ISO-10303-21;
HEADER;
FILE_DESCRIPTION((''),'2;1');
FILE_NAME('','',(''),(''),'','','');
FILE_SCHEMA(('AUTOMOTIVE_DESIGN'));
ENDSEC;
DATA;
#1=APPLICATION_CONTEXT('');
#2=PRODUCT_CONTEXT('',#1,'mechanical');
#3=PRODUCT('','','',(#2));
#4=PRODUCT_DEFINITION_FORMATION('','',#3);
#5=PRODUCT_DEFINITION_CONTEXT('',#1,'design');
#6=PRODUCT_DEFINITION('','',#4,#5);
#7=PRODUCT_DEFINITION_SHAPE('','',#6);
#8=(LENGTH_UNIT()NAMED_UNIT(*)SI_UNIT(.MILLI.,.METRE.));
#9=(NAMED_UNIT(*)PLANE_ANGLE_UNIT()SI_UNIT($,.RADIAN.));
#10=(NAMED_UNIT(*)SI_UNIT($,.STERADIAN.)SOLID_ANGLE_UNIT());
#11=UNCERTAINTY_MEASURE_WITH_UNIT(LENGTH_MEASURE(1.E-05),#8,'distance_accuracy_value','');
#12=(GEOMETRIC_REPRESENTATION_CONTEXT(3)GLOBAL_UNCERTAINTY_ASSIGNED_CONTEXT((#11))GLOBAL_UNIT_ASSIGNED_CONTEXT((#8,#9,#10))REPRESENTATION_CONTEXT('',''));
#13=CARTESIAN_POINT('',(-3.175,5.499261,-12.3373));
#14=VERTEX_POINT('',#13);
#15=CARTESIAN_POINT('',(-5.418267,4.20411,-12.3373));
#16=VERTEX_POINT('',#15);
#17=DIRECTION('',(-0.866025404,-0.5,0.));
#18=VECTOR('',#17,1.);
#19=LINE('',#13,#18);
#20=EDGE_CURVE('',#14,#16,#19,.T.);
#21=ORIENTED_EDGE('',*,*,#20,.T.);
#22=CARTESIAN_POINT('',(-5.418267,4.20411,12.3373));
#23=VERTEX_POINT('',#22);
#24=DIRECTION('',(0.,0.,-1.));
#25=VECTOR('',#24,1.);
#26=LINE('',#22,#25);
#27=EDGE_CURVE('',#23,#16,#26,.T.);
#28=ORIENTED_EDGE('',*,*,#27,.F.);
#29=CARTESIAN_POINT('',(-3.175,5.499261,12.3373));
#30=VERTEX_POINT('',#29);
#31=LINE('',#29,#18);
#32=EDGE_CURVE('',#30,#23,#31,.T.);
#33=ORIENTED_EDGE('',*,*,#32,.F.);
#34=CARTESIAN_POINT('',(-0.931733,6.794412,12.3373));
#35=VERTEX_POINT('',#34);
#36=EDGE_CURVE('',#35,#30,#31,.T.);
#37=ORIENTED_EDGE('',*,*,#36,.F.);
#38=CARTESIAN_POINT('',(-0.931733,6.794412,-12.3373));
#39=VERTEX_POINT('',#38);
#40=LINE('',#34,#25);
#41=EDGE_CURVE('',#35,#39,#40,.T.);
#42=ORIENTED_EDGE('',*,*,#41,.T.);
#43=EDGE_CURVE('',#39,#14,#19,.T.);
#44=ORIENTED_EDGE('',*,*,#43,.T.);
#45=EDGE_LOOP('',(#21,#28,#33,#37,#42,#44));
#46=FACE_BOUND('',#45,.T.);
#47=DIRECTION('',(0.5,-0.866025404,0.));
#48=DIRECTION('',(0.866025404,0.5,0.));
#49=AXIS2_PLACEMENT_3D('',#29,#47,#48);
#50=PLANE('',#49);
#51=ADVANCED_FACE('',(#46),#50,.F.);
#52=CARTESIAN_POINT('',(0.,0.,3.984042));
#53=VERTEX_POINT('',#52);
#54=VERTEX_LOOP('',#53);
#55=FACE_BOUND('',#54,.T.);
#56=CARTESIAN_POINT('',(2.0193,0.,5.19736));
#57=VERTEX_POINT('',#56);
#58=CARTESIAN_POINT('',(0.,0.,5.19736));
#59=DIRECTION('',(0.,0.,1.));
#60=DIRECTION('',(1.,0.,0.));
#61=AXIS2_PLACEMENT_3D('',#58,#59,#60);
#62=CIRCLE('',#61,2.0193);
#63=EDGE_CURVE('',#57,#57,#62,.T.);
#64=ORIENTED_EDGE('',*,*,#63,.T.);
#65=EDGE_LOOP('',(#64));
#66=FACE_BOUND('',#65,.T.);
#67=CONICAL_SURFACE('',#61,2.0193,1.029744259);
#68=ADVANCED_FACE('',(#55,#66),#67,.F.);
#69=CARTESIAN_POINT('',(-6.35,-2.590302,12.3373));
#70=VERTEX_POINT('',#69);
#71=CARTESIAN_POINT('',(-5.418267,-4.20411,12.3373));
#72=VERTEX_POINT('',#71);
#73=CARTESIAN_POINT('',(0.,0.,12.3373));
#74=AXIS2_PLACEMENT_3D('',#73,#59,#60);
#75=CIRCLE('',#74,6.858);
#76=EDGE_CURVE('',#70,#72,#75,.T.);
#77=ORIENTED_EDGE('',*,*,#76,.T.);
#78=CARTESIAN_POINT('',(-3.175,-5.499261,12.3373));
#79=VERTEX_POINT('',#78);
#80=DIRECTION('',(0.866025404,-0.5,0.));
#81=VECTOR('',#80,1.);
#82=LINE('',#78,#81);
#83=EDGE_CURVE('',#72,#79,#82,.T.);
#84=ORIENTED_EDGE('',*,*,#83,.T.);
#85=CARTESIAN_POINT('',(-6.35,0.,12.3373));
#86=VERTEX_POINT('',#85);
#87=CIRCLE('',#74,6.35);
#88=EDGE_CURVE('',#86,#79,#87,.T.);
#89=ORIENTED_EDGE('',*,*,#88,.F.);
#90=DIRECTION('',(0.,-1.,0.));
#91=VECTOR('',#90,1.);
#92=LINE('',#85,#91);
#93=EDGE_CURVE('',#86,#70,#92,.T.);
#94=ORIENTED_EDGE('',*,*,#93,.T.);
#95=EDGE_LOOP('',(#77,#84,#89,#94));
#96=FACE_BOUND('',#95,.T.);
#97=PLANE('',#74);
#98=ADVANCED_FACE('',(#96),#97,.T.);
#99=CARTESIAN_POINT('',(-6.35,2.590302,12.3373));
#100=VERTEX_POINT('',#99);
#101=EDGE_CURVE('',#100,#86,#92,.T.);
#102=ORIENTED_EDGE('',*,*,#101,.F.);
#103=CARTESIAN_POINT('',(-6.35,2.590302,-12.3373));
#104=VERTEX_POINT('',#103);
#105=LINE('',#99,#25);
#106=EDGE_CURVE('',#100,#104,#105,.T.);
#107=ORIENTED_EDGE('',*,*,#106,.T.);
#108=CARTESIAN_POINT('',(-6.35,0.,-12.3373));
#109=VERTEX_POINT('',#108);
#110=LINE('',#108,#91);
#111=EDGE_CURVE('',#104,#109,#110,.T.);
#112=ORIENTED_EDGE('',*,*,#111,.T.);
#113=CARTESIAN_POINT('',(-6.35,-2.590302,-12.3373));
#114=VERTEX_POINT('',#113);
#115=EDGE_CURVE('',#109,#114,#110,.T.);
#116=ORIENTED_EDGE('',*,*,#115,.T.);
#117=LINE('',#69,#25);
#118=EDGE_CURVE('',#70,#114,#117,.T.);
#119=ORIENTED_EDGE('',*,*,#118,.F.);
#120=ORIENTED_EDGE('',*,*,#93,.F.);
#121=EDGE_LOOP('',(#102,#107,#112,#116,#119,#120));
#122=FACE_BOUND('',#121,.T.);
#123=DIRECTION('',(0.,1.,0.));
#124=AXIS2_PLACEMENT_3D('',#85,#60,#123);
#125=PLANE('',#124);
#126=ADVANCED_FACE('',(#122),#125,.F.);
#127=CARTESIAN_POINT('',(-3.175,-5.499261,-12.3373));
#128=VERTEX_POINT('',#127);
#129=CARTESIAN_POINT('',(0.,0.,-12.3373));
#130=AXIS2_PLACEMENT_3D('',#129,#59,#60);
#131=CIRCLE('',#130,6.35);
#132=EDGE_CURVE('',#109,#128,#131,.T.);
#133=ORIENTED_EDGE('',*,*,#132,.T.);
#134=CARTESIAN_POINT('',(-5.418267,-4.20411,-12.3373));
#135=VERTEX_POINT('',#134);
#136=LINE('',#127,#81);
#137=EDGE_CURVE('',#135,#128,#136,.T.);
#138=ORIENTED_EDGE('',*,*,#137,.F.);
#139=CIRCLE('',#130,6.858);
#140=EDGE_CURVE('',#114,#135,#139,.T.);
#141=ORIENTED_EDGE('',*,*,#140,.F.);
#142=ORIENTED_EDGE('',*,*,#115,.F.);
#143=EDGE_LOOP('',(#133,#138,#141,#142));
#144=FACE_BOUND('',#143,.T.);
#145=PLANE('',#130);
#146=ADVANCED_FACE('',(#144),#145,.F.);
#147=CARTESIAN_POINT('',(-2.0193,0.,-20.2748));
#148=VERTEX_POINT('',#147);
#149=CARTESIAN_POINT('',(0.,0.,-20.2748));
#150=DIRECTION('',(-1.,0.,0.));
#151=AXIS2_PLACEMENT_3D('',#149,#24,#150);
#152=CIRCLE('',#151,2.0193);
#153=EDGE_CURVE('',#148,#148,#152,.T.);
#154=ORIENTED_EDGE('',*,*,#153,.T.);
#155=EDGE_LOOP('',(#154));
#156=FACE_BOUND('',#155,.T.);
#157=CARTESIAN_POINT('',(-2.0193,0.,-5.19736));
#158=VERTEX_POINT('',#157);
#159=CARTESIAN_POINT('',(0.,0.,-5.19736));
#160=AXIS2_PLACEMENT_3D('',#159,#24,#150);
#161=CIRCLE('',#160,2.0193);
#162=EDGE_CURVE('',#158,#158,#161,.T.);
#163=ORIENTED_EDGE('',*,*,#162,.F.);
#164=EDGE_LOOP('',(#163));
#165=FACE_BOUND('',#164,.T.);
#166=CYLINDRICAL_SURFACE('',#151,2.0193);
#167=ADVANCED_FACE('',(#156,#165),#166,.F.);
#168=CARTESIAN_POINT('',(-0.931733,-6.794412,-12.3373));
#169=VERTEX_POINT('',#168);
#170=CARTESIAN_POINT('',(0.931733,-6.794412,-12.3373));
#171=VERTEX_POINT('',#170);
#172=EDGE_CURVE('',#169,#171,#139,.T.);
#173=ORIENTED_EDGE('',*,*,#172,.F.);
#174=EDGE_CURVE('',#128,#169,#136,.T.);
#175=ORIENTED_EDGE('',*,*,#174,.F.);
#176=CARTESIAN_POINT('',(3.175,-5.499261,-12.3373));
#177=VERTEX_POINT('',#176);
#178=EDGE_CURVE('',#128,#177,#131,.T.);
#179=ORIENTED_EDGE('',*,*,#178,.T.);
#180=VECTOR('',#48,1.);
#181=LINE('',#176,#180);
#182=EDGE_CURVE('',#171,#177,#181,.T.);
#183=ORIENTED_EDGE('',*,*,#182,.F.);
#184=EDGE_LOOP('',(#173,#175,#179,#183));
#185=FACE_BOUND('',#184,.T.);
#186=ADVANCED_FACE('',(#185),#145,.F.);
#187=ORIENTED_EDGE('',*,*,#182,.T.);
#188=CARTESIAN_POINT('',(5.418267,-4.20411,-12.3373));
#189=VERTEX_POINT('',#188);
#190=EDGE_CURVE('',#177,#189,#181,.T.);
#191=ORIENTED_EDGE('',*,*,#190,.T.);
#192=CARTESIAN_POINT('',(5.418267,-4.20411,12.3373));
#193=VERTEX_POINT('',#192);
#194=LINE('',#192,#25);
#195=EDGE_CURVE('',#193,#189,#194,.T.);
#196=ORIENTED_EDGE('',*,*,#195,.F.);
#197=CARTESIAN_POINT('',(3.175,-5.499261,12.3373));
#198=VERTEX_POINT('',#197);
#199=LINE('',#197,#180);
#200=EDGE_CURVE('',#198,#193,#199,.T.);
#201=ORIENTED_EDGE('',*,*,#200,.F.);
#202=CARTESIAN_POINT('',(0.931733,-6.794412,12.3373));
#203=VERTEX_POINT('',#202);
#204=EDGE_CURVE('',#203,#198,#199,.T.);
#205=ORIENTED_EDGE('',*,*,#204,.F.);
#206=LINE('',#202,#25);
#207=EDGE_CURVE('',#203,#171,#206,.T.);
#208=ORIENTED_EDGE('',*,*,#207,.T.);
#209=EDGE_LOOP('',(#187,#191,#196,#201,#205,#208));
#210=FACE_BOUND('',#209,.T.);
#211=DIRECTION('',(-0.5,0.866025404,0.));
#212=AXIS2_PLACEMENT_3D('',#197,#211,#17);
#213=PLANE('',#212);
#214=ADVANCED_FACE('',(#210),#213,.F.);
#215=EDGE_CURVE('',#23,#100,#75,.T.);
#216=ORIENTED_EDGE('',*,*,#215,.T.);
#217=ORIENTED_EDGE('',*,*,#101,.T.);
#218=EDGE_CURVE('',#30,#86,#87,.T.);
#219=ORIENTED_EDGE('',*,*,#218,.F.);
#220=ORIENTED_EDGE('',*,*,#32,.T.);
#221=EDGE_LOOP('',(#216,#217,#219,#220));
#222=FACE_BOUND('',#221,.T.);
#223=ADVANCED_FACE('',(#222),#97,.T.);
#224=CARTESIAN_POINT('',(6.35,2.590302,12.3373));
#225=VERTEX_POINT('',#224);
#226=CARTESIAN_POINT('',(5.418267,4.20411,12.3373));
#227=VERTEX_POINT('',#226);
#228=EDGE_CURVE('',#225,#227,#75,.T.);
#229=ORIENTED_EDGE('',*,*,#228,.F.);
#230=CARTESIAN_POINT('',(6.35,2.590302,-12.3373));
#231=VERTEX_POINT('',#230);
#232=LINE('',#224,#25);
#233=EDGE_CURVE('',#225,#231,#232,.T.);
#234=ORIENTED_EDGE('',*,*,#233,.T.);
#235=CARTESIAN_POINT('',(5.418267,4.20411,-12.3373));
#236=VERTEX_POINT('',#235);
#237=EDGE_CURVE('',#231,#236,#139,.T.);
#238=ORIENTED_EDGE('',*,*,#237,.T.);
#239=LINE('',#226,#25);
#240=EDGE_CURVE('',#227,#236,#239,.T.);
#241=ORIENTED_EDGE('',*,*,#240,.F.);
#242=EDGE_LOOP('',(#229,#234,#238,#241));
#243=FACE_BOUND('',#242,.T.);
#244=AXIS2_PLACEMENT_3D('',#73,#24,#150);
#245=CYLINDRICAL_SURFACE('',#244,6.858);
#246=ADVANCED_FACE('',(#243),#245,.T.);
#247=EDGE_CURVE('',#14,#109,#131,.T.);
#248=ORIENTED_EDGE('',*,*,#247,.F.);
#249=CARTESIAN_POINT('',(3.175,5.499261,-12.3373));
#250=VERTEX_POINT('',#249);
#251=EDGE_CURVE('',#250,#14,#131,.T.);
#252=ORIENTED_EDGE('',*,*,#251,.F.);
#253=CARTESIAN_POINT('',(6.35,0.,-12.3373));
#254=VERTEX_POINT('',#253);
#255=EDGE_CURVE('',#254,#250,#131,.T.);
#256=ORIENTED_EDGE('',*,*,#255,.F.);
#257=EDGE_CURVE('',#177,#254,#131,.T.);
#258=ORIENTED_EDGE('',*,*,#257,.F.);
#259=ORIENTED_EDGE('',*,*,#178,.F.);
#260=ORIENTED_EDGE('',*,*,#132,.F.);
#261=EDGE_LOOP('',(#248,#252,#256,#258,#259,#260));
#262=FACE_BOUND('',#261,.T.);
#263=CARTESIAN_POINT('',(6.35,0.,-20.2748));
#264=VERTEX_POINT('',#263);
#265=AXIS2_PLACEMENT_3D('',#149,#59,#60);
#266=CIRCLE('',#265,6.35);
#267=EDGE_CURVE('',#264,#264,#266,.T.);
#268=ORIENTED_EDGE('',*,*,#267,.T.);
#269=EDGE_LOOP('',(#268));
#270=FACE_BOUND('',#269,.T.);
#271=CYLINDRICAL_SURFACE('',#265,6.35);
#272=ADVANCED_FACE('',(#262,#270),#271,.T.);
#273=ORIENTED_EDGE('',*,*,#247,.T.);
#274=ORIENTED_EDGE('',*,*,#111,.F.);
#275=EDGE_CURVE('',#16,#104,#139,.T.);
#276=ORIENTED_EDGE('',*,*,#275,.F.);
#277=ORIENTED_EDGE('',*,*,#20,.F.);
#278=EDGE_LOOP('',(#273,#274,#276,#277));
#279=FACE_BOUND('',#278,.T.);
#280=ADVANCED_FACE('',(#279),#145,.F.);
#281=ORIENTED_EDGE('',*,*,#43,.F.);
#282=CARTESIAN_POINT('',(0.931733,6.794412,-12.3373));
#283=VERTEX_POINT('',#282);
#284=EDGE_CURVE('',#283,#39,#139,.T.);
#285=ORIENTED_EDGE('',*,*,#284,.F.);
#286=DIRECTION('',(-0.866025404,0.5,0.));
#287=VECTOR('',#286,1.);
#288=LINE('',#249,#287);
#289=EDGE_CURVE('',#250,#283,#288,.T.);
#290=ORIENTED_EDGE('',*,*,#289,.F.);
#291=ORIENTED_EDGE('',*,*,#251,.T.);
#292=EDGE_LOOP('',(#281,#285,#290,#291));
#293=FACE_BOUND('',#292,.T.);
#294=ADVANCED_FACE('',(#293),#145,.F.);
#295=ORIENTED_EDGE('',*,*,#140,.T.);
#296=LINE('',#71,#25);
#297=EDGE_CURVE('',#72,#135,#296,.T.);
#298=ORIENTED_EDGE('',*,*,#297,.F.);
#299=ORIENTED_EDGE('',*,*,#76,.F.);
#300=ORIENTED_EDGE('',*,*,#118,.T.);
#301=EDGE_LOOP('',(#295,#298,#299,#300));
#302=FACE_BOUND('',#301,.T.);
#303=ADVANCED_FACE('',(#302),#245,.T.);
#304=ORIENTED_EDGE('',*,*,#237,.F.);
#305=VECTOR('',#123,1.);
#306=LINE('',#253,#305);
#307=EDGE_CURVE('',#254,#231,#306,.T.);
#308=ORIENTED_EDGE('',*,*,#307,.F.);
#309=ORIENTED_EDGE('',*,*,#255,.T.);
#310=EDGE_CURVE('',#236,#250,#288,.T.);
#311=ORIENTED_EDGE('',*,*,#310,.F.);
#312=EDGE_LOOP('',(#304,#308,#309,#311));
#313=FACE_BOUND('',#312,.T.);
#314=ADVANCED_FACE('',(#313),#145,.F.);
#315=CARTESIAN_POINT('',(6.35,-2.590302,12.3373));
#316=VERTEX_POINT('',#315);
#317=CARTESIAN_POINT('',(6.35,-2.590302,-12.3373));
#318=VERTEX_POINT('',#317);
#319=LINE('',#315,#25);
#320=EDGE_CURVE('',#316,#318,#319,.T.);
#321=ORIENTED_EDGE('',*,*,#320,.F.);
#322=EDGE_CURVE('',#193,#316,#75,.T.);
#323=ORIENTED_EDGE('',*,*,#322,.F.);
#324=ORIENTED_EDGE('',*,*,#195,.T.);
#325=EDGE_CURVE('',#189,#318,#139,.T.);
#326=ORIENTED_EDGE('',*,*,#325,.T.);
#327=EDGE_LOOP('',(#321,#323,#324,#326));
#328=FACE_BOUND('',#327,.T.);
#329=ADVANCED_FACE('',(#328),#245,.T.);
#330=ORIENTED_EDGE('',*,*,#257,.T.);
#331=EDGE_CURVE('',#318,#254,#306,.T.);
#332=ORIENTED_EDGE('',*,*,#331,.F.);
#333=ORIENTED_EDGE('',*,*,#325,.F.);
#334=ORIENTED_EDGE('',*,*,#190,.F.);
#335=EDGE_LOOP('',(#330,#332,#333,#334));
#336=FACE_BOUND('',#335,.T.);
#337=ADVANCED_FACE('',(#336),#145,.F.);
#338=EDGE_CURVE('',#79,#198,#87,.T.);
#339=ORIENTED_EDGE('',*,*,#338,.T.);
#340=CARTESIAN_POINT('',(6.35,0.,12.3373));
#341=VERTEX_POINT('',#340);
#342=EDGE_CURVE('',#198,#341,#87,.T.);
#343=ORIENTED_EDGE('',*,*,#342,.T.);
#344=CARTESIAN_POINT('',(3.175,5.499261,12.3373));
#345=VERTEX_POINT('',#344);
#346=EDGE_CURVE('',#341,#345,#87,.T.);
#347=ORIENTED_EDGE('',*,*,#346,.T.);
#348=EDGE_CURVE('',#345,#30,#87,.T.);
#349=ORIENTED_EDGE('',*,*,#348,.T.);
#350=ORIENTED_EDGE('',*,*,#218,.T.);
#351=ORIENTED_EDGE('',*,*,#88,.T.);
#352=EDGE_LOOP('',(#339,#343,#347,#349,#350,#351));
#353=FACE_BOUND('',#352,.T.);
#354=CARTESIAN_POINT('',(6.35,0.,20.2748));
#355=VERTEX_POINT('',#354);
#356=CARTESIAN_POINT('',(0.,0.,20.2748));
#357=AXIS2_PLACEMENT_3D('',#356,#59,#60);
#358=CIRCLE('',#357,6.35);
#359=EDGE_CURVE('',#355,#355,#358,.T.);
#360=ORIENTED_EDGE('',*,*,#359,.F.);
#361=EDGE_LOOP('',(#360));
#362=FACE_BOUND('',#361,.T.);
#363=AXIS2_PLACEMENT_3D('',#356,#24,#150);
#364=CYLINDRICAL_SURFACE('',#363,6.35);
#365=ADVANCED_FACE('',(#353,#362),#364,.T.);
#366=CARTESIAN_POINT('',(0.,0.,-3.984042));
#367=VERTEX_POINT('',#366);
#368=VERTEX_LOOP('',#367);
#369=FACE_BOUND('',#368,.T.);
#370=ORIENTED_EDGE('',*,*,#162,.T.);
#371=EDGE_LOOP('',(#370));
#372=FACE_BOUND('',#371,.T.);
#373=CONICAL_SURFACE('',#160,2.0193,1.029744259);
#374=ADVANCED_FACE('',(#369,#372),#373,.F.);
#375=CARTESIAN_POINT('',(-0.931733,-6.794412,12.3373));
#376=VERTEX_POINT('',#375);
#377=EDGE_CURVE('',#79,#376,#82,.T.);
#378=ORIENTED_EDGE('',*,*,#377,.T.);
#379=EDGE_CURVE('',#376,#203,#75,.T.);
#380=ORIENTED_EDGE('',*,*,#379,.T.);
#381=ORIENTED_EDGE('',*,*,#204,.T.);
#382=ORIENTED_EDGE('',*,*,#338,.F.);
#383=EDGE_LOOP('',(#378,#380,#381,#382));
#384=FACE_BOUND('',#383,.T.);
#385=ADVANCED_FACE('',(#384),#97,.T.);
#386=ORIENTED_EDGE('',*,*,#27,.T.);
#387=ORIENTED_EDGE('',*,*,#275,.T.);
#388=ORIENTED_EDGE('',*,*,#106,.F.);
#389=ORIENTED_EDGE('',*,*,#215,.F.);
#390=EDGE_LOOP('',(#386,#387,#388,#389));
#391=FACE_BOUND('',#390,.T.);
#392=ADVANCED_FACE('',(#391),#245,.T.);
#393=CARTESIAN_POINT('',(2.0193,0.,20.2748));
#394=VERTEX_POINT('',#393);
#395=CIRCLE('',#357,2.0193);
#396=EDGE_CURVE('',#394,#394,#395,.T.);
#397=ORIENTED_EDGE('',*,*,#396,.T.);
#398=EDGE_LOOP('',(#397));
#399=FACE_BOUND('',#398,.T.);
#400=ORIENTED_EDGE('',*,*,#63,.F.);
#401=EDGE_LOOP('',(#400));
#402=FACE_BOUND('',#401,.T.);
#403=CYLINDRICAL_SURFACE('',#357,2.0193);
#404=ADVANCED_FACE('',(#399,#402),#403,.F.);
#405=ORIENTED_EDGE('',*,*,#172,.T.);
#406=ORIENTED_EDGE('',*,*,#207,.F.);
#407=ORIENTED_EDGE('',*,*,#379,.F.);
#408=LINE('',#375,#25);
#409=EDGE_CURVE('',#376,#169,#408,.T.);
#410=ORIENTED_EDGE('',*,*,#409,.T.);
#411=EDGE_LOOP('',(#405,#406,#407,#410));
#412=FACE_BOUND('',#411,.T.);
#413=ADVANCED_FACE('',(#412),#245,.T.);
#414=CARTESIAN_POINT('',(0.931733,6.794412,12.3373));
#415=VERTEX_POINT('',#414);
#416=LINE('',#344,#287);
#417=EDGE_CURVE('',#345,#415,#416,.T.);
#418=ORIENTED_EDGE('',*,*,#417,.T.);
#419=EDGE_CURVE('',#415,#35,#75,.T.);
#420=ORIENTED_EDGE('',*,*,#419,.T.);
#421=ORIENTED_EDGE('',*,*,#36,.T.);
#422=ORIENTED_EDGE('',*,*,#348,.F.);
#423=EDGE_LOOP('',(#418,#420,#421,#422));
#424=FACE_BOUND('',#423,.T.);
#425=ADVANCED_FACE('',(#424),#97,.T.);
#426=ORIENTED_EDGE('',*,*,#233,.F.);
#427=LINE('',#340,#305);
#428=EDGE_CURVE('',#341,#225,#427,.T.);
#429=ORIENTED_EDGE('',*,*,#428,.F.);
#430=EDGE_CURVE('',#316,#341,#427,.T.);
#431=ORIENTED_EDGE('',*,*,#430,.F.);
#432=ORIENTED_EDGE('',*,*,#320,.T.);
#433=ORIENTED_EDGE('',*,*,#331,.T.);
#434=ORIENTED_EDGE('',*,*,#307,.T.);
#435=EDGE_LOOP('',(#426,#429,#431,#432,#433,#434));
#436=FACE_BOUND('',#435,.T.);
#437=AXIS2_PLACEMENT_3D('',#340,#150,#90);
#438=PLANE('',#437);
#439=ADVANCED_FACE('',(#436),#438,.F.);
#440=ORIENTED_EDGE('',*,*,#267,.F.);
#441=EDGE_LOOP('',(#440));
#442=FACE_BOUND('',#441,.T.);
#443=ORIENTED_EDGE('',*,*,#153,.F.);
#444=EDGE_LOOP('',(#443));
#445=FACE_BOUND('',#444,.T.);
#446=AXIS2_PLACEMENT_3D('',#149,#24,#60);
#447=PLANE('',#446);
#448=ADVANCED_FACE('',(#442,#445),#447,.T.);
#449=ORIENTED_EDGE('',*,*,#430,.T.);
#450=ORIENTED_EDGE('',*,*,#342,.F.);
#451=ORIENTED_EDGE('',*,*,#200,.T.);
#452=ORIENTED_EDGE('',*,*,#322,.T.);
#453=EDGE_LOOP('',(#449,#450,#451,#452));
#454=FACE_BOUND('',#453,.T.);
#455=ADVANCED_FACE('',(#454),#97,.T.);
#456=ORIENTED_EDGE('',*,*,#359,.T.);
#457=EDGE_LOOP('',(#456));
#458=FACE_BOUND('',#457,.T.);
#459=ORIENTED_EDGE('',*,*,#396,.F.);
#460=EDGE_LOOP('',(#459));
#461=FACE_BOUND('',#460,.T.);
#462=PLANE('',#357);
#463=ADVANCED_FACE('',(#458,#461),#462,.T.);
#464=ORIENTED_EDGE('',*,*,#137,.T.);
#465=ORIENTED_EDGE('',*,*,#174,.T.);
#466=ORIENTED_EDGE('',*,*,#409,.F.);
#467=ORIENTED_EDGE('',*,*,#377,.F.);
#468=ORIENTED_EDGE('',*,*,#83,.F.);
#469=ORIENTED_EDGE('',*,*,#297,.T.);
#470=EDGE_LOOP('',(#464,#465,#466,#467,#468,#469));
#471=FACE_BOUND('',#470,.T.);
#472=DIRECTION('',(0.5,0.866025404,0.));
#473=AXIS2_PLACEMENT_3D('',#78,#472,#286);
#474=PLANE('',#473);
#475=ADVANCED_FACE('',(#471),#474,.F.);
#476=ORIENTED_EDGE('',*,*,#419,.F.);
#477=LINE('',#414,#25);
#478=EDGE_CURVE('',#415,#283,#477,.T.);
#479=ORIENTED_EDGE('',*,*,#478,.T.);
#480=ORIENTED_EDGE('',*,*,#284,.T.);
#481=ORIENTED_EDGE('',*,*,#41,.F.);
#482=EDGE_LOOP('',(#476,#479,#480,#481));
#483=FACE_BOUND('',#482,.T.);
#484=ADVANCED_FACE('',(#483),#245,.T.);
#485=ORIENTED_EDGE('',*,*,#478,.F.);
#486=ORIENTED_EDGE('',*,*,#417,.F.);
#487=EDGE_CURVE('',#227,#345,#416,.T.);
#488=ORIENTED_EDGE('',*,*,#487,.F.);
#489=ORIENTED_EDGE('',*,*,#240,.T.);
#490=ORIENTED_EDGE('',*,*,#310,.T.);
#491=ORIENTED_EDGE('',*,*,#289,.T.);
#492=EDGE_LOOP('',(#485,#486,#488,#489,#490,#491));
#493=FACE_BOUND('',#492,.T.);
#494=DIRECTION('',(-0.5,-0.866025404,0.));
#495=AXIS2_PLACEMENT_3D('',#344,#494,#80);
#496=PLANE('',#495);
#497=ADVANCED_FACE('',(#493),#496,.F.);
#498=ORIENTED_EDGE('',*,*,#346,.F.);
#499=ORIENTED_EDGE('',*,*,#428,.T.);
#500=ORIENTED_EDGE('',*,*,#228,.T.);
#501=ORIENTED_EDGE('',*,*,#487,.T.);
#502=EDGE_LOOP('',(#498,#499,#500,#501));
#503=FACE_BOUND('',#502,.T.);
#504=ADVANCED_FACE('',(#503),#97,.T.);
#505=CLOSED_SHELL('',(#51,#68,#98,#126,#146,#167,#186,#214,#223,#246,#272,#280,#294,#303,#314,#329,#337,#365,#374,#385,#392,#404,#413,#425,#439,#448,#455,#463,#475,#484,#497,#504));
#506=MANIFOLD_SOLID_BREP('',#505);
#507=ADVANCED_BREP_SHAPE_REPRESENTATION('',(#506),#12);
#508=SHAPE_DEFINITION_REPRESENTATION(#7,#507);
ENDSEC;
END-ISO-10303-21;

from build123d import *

# Parameters (mm, degrees)
BOSS_EXTRUDE1_DEPTH                  = 12.337299938
SKETCH2_R                            = 6.35
BOSS_EXTRUDE2_DEPTH                  = 7.9375
F_10_32_TAPPED_HOLE1_D               = 4.0386
F_10_32_TAPPED_HOLE1_DEPTH           = 15.07744
F_10_32_TAPPED_HOLE1_TIP             = 1.213317848
F_10_32_TAPPED_HOLE1_ON_FACE_2_D     = 4.0386
F_10_32_TAPPED_HOLE1_ON_FACE_2_DEPTH = 15.07744
F_10_32_TAPPED_HOLE1_ON_FACE_2_TIP   = 1.213317848


with BuildPart() as part:
    # Sketch1 → Boss-Extrude1 (new, symmetric)
    with BuildSketch(Plane.XY):
        with BuildLine():
            ThreePointArc((6.35, 2.590301913), (5.939202219, 3.429), (5.41826726, 4.204110358))
            Line((5.41826726, 4.204110358), (0.93173274, 6.79441227))
            ThreePointArc((0.93173274, 6.79441227), (0, 6.858), (-0.93173274, 6.79441227))
            Line((-0.93173274, 6.79441227), (-5.41826726, 4.204110358))
            ThreePointArc((-5.41826726, 4.204110358), (-5.939202219, 3.429), (-6.35, 2.590301913))
            Line((-6.35, 2.590301913), (-6.35, -2.590301913))
            ThreePointArc((-6.35, -2.590301913), (-5.939202219, -3.429), (-5.41826726, -4.204110358))
            Line((-5.41826726, -4.204110358), (-0.93173274, -6.79441227))
            ThreePointArc((-0.93173274, -6.79441227), (0, -6.858), (0.93173274, -6.79441227))
            Line((0.93173274, -6.79441227), (5.41826726, -4.204110358))
            ThreePointArc((5.41826726, -4.204110358), (5.939202219, -3.429), (6.35, -2.590301913))
            Line((6.35, -2.590301913), (6.35, 2.590301913))
        make_face()
    extrude(amount=BOSS_EXTRUDE1_DEPTH, both=True)

    # Sketch2 → Boss-Extrude2 (add)
    with BuildSketch(Plane.XY.offset(12.337299938)):
        Circle(SKETCH2_R)
    boss_extrude2 = extrude(amount=BOSS_EXTRUDE2_DEPTH)

    # Mirror1: Boss-Extrude2 across plane
    add(boss_extrude2.mirror(Plane.XY))

    # #10-32 Tapped Hole1
    with Locations(Plane.XY.offset(20.274799938)):
        with Locations((0, 0)):
            Hole(F_10_32_TAPPED_HOLE1_D / 2, depth=F_10_32_TAPPED_HOLE1_DEPTH)
            with Locations((0, 0, -(F_10_32_TAPPED_HOLE1_DEPTH + F_10_32_TAPPED_HOLE1_TIP / 2))):  # 118° drill point
                Cone(0, F_10_32_TAPPED_HOLE1_D / 2, F_10_32_TAPPED_HOLE1_TIP, mode=Mode.SUBTRACT)

    # #10-32 Tapped Hole1 on face 2
    with Locations(Plane(origin=(0, 0, -20.274799938), x_dir=(-1, 0, 0), z_dir=(0, 0, -1))):
        with Locations((0, 0)):
            Hole(F_10_32_TAPPED_HOLE1_ON_FACE_2_D / 2, depth=F_10_32_TAPPED_HOLE1_ON_FACE_2_DEPTH)
            with Locations((0, 0, -(F_10_32_TAPPED_HOLE1_ON_FACE_2_DEPTH + F_10_32_TAPPED_HOLE1_ON_FACE_2_TIP / 2))):  # 118° drill point
                Cone(0, F_10_32_TAPPED_HOLE1_ON_FACE_2_D / 2, F_10_32_TAPPED_HOLE1_ON_FACE_2_TIP, mode=Mode.SUBTRACT)


solid = part.part
